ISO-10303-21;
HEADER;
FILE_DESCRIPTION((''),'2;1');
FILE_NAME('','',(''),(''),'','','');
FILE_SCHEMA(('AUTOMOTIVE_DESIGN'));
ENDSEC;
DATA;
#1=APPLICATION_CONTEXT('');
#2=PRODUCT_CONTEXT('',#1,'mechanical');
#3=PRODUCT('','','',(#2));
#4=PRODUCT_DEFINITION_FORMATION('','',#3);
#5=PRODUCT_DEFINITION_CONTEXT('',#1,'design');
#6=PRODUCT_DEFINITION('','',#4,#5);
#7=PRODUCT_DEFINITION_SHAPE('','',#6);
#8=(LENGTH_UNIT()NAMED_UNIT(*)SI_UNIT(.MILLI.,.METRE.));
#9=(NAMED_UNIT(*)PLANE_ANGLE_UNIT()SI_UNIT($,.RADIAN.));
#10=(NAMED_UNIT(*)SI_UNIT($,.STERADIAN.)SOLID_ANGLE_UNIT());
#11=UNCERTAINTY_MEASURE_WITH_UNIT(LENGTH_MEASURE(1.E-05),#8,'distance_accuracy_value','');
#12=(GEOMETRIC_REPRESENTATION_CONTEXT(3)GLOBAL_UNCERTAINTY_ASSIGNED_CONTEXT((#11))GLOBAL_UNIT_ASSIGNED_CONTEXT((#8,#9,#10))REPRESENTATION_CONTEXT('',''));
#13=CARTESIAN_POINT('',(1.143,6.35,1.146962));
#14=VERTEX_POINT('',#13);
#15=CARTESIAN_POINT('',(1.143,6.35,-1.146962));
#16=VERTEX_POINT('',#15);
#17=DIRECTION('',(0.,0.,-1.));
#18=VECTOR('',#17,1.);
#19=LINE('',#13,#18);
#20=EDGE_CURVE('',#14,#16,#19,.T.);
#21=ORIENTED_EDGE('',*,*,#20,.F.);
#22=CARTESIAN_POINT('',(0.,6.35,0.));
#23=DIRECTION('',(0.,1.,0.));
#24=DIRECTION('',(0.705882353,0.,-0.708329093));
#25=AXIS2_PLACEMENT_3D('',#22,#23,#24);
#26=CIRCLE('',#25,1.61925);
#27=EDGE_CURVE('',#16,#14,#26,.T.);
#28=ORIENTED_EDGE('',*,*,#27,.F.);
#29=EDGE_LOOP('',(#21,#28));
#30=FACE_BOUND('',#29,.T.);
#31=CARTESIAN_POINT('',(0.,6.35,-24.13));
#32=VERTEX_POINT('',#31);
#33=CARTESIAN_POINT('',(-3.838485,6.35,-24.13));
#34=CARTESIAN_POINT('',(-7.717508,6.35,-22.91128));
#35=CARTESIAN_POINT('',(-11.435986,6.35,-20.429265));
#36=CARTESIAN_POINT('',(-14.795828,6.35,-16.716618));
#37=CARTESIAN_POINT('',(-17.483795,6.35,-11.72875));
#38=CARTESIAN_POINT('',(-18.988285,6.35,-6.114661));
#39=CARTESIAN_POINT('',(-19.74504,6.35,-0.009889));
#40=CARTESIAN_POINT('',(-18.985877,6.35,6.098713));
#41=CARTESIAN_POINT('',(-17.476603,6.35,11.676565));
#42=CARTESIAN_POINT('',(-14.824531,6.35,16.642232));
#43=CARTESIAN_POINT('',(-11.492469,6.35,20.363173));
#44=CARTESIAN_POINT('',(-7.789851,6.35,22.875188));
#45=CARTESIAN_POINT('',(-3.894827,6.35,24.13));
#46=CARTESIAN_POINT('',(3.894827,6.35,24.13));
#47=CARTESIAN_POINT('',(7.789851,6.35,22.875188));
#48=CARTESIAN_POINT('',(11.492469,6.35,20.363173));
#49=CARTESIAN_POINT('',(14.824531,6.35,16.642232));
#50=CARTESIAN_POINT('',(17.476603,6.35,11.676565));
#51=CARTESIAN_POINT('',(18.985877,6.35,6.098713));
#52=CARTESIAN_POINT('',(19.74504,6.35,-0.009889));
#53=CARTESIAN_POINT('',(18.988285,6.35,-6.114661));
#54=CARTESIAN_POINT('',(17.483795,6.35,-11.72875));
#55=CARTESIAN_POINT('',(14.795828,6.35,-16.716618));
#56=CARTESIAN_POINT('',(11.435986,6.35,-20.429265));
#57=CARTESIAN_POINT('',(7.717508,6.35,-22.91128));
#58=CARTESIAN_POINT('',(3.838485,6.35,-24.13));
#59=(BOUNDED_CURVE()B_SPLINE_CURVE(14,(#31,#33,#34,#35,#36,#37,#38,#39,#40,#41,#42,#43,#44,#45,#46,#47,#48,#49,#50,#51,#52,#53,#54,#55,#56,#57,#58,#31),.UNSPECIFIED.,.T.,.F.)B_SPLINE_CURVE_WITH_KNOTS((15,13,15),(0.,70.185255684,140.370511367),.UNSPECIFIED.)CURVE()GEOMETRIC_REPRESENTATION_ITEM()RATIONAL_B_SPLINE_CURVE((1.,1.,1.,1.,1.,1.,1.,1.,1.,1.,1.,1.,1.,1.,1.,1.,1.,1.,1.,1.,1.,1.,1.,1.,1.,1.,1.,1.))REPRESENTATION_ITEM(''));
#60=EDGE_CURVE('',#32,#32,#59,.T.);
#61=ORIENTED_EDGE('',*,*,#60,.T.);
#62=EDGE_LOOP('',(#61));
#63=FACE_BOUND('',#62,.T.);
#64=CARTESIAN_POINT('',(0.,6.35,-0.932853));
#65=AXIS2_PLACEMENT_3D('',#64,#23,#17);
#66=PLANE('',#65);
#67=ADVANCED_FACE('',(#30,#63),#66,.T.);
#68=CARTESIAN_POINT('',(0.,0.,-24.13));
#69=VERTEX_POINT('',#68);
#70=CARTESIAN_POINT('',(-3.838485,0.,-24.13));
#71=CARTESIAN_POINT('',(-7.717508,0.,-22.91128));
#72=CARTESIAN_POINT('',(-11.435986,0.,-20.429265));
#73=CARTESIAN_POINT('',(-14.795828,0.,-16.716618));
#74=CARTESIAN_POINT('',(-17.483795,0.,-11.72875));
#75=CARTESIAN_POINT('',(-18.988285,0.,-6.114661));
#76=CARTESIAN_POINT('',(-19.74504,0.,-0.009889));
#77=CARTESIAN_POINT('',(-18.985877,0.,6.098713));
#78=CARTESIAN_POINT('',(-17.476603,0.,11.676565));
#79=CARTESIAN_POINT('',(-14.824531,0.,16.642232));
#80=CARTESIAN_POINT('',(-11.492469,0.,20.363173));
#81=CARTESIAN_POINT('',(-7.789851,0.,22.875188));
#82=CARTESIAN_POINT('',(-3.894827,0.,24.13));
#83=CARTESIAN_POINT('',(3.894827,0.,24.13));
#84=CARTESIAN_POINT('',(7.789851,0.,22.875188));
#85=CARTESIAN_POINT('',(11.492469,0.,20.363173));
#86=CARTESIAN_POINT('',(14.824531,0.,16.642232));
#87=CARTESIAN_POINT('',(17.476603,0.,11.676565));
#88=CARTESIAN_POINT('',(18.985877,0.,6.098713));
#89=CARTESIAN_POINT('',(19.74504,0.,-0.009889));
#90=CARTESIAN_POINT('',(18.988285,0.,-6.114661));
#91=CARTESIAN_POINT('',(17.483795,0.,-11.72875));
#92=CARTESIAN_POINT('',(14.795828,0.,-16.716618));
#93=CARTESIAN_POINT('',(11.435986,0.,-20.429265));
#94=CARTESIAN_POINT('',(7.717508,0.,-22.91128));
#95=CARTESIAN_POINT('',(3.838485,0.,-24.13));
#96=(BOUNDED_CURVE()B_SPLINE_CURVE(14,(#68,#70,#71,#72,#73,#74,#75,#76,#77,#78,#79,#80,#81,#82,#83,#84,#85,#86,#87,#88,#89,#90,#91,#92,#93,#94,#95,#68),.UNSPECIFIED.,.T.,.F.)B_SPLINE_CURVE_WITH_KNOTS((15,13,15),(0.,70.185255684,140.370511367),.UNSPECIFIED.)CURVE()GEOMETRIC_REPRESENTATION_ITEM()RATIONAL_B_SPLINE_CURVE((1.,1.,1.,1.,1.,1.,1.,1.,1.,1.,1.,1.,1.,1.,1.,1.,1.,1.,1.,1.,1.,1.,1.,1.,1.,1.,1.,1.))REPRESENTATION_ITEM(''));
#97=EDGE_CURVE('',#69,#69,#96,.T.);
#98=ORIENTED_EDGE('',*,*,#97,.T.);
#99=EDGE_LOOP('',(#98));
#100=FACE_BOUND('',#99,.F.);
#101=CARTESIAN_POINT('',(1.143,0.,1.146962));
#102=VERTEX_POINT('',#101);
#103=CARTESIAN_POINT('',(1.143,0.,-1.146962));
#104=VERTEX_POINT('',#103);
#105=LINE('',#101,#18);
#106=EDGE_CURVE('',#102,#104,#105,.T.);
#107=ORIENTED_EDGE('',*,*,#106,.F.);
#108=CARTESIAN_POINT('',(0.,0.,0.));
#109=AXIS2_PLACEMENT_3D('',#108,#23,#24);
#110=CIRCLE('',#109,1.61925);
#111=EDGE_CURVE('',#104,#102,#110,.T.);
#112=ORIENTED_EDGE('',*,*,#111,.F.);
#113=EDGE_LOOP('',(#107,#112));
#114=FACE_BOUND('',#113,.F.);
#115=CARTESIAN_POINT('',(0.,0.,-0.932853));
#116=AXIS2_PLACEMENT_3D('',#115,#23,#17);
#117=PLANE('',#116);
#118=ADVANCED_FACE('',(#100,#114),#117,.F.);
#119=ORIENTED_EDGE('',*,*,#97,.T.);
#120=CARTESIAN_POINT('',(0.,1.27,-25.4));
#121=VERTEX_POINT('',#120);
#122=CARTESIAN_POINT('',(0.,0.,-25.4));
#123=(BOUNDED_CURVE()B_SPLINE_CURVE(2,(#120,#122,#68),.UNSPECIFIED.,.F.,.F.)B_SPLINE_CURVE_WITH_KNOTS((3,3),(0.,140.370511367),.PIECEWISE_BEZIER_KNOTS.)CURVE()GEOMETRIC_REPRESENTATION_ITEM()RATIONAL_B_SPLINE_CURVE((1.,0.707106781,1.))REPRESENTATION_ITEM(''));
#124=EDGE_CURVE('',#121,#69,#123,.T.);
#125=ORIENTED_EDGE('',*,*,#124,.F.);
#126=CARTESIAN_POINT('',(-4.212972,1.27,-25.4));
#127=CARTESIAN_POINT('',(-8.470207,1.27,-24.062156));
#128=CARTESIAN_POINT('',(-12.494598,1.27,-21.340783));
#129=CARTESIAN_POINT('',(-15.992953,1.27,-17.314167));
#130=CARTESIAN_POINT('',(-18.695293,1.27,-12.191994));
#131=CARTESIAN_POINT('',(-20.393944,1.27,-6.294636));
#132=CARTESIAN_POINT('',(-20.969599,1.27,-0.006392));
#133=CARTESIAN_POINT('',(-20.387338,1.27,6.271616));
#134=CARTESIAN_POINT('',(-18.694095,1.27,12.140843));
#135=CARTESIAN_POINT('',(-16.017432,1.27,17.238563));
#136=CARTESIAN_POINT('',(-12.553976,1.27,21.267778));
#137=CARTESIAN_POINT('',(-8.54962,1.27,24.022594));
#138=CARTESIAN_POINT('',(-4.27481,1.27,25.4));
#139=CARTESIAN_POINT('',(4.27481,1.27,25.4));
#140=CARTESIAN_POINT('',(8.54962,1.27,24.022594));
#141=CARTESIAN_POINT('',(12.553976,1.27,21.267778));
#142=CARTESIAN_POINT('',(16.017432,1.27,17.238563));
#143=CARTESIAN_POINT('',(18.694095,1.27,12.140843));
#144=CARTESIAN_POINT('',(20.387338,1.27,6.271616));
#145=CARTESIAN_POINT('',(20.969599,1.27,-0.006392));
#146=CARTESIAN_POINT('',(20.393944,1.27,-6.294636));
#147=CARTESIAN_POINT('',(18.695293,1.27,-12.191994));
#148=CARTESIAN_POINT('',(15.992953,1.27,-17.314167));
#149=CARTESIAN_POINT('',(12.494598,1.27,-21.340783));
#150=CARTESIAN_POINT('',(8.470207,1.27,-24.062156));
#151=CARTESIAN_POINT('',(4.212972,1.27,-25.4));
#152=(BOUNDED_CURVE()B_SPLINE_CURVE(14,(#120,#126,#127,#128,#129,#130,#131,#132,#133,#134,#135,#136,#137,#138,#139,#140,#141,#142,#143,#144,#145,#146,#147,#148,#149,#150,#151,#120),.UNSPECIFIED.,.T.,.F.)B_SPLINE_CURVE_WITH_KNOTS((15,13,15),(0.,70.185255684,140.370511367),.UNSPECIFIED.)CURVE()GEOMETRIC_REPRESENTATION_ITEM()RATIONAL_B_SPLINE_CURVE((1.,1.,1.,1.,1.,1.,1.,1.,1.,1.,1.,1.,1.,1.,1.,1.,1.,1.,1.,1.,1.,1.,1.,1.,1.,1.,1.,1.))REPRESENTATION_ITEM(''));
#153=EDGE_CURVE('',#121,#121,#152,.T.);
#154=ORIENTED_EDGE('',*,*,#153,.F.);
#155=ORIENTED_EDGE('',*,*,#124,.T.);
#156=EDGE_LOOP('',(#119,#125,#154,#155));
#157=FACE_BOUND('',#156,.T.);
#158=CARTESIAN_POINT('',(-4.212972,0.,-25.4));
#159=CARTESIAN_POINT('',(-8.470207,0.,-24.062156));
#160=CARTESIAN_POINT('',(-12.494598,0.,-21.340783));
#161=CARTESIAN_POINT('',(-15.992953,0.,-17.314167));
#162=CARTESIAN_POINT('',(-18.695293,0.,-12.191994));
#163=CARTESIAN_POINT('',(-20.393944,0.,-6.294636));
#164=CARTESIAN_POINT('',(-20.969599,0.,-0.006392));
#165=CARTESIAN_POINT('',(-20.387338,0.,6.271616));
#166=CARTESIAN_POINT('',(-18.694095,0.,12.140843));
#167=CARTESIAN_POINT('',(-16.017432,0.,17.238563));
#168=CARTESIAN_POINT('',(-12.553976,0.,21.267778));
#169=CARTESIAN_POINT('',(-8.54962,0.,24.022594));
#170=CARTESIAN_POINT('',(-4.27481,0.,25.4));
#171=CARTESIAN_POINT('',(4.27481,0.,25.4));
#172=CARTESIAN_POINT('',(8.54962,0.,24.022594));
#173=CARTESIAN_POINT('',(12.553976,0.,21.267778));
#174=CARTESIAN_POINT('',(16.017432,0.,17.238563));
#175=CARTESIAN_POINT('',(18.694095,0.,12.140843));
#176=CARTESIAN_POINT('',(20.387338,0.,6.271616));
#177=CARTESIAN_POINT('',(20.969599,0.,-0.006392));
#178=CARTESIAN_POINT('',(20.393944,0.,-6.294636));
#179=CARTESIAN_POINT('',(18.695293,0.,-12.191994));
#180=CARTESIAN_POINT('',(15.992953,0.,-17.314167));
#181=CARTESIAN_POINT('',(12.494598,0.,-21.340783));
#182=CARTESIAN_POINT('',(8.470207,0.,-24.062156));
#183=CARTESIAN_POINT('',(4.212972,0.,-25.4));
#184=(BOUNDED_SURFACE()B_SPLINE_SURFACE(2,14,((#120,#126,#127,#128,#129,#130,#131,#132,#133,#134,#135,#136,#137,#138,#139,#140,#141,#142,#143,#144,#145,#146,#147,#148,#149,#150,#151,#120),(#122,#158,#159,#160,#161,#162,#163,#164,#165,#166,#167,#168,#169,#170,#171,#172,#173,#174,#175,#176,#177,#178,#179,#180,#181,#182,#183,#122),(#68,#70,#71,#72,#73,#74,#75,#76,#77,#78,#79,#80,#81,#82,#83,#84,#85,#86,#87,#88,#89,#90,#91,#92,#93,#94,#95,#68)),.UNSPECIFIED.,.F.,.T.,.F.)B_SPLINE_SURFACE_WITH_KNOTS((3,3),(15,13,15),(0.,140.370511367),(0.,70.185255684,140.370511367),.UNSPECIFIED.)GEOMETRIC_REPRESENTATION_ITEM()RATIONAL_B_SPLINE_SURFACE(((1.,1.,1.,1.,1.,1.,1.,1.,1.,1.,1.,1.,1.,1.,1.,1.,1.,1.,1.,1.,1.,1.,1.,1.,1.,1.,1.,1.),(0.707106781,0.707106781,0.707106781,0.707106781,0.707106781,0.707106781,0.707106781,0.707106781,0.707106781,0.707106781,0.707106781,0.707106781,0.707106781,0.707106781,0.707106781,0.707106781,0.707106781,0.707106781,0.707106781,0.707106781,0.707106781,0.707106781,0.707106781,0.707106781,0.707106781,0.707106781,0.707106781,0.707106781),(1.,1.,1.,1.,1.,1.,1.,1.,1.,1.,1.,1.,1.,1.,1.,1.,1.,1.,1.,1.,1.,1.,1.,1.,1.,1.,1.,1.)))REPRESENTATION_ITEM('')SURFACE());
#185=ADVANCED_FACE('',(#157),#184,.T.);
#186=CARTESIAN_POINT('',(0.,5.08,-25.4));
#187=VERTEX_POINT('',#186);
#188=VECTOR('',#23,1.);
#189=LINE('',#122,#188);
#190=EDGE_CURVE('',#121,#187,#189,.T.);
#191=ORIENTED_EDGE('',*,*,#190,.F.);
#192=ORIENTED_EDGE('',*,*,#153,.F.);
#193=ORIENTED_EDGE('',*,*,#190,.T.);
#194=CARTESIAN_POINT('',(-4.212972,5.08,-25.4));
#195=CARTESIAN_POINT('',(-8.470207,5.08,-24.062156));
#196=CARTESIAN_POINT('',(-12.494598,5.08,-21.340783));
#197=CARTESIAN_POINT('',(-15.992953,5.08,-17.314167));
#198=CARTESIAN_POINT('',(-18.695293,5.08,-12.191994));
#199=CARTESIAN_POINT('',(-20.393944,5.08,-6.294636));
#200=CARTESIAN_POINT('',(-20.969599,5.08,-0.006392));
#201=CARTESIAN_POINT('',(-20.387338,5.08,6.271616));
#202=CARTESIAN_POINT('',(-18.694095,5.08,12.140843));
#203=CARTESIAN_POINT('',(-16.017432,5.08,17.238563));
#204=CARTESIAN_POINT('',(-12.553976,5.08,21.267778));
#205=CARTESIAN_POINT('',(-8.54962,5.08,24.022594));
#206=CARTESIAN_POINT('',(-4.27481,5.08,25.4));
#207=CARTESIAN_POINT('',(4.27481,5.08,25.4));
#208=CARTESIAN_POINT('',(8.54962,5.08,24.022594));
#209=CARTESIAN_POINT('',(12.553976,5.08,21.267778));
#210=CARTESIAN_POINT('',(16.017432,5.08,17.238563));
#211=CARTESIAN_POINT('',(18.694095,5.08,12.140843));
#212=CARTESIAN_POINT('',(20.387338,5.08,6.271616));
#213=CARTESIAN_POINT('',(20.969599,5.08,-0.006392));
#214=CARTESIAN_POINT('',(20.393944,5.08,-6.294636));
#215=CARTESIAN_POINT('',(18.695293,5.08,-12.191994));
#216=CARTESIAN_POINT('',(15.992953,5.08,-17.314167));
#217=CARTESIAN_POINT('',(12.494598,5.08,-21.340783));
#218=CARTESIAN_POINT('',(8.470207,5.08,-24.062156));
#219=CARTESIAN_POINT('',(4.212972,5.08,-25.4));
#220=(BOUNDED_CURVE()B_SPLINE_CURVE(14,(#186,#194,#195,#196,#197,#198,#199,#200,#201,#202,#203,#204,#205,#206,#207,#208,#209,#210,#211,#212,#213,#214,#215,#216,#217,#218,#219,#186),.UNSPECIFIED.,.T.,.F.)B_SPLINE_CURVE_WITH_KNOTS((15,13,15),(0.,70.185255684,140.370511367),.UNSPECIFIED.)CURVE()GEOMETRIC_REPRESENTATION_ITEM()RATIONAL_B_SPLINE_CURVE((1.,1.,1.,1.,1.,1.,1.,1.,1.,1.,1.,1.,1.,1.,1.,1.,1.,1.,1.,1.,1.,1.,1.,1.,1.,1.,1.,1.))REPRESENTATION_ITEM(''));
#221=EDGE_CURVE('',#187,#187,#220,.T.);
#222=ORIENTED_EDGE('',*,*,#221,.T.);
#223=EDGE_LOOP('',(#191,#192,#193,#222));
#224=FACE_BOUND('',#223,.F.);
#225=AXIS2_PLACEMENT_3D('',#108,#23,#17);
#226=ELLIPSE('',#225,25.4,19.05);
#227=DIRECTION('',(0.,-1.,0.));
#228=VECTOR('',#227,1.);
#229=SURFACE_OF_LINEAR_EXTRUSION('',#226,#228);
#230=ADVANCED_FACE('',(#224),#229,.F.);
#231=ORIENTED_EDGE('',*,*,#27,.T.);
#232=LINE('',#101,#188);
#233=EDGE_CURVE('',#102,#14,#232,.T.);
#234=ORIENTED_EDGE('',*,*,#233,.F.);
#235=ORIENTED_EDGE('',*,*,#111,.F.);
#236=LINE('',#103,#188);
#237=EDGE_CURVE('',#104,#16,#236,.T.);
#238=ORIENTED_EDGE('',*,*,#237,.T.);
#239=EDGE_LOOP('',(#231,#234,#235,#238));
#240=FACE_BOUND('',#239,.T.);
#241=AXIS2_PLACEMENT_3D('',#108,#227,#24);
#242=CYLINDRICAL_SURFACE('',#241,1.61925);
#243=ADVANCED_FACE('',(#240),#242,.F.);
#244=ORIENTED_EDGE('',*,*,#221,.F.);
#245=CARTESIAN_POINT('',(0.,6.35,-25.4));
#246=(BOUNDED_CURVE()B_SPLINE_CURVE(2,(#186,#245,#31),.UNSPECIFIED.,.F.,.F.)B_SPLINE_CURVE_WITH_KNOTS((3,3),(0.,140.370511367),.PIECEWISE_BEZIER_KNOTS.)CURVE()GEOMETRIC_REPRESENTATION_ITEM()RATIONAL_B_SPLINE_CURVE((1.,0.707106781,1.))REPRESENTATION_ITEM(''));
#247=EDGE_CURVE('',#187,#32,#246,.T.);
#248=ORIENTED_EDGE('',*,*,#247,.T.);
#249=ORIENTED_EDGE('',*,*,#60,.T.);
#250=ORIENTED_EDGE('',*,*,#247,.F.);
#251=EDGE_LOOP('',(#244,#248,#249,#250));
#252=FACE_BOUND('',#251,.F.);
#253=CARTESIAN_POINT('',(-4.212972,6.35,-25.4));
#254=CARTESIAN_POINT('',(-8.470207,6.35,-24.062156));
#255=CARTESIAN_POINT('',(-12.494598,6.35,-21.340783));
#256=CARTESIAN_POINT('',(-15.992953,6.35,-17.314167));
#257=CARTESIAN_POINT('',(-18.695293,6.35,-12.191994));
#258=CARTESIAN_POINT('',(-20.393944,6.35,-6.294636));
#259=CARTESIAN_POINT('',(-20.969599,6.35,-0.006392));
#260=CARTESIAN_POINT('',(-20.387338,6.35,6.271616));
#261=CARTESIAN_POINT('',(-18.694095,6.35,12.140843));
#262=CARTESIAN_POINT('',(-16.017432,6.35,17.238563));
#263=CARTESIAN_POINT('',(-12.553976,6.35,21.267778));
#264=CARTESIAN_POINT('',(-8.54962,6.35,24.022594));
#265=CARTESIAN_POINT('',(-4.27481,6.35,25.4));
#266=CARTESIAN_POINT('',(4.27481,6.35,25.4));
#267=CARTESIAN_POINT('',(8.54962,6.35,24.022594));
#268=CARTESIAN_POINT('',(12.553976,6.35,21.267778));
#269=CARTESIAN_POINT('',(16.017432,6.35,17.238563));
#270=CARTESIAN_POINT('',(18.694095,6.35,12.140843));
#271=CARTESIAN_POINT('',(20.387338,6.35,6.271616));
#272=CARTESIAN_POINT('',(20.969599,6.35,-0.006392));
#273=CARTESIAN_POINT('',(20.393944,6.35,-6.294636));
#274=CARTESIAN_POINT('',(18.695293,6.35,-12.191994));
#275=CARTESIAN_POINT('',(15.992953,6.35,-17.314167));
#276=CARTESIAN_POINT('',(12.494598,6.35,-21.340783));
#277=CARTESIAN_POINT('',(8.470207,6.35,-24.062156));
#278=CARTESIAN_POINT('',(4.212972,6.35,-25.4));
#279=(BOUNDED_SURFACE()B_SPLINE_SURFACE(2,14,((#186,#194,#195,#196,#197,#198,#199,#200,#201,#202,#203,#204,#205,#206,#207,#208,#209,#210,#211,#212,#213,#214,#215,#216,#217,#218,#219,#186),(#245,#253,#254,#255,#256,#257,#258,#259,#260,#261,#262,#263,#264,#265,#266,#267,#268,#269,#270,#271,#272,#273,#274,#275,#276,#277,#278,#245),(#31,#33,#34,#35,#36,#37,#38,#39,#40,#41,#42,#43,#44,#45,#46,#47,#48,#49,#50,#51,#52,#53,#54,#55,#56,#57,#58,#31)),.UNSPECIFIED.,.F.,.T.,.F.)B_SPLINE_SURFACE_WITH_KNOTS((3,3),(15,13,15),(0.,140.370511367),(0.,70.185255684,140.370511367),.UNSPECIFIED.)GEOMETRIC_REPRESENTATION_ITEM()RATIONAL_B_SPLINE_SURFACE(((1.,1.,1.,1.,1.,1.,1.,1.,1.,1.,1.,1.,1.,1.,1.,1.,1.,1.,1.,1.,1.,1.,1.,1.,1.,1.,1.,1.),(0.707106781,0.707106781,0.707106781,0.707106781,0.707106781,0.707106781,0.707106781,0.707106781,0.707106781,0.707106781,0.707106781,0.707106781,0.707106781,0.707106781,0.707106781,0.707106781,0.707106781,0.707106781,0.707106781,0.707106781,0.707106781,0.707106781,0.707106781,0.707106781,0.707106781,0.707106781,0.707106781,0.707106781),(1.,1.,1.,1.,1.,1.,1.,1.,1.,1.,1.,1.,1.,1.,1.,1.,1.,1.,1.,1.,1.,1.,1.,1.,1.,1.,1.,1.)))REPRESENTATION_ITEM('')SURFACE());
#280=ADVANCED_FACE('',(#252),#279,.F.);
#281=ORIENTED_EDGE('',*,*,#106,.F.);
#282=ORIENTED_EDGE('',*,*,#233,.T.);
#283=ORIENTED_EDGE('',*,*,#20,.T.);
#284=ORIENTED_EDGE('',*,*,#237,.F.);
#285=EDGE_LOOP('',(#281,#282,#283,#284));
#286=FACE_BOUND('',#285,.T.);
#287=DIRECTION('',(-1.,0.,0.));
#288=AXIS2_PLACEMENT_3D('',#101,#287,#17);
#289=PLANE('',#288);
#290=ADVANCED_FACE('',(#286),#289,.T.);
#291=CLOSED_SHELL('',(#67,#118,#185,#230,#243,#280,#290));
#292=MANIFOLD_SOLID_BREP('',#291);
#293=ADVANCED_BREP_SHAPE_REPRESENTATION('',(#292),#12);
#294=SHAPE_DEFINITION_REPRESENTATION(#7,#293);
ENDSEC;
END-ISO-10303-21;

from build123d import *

# Parameters (mm, degrees)
SKETCH2_RX  = 25.4
SKETCH2_RY  = 19.05
CRANK_DEPTH = 6.35
FILLET_2_R  = 1.27


with BuildPart() as part:
    # Sketch2 → Crank (new body)
    with BuildSketch(Plane(origin=(0, 0, 0), x_dir=(1, 0, 0), z_dir=(0, 1, 0))):
        with Locations(Location((0, 0), (0, 0, 90))):
            Ellipse(SKETCH2_RX, SKETCH2_RY)
        with BuildLine():
            Line((1.143, -1.146961884), (1.143, 1.146961884))
            ThreePointArc((1.143, 1.146961884), (-1.61925, 0), (1.143, -1.146961884))
        make_face(mode=Mode.SUBTRACT)
    extrude(amount=CRANK_DEPTH)

    # Fillet 2
    fillet_2_edges = [part.edges().sort_by_distance(p)[0] for p in [
        (0.006668232, 0, 25.399998444),
        (0.006668232, 6.35, 25.399998444),
    ]]
    fillet(fillet_2_edges, radius=FILLET_2_R)


solid = part.part
